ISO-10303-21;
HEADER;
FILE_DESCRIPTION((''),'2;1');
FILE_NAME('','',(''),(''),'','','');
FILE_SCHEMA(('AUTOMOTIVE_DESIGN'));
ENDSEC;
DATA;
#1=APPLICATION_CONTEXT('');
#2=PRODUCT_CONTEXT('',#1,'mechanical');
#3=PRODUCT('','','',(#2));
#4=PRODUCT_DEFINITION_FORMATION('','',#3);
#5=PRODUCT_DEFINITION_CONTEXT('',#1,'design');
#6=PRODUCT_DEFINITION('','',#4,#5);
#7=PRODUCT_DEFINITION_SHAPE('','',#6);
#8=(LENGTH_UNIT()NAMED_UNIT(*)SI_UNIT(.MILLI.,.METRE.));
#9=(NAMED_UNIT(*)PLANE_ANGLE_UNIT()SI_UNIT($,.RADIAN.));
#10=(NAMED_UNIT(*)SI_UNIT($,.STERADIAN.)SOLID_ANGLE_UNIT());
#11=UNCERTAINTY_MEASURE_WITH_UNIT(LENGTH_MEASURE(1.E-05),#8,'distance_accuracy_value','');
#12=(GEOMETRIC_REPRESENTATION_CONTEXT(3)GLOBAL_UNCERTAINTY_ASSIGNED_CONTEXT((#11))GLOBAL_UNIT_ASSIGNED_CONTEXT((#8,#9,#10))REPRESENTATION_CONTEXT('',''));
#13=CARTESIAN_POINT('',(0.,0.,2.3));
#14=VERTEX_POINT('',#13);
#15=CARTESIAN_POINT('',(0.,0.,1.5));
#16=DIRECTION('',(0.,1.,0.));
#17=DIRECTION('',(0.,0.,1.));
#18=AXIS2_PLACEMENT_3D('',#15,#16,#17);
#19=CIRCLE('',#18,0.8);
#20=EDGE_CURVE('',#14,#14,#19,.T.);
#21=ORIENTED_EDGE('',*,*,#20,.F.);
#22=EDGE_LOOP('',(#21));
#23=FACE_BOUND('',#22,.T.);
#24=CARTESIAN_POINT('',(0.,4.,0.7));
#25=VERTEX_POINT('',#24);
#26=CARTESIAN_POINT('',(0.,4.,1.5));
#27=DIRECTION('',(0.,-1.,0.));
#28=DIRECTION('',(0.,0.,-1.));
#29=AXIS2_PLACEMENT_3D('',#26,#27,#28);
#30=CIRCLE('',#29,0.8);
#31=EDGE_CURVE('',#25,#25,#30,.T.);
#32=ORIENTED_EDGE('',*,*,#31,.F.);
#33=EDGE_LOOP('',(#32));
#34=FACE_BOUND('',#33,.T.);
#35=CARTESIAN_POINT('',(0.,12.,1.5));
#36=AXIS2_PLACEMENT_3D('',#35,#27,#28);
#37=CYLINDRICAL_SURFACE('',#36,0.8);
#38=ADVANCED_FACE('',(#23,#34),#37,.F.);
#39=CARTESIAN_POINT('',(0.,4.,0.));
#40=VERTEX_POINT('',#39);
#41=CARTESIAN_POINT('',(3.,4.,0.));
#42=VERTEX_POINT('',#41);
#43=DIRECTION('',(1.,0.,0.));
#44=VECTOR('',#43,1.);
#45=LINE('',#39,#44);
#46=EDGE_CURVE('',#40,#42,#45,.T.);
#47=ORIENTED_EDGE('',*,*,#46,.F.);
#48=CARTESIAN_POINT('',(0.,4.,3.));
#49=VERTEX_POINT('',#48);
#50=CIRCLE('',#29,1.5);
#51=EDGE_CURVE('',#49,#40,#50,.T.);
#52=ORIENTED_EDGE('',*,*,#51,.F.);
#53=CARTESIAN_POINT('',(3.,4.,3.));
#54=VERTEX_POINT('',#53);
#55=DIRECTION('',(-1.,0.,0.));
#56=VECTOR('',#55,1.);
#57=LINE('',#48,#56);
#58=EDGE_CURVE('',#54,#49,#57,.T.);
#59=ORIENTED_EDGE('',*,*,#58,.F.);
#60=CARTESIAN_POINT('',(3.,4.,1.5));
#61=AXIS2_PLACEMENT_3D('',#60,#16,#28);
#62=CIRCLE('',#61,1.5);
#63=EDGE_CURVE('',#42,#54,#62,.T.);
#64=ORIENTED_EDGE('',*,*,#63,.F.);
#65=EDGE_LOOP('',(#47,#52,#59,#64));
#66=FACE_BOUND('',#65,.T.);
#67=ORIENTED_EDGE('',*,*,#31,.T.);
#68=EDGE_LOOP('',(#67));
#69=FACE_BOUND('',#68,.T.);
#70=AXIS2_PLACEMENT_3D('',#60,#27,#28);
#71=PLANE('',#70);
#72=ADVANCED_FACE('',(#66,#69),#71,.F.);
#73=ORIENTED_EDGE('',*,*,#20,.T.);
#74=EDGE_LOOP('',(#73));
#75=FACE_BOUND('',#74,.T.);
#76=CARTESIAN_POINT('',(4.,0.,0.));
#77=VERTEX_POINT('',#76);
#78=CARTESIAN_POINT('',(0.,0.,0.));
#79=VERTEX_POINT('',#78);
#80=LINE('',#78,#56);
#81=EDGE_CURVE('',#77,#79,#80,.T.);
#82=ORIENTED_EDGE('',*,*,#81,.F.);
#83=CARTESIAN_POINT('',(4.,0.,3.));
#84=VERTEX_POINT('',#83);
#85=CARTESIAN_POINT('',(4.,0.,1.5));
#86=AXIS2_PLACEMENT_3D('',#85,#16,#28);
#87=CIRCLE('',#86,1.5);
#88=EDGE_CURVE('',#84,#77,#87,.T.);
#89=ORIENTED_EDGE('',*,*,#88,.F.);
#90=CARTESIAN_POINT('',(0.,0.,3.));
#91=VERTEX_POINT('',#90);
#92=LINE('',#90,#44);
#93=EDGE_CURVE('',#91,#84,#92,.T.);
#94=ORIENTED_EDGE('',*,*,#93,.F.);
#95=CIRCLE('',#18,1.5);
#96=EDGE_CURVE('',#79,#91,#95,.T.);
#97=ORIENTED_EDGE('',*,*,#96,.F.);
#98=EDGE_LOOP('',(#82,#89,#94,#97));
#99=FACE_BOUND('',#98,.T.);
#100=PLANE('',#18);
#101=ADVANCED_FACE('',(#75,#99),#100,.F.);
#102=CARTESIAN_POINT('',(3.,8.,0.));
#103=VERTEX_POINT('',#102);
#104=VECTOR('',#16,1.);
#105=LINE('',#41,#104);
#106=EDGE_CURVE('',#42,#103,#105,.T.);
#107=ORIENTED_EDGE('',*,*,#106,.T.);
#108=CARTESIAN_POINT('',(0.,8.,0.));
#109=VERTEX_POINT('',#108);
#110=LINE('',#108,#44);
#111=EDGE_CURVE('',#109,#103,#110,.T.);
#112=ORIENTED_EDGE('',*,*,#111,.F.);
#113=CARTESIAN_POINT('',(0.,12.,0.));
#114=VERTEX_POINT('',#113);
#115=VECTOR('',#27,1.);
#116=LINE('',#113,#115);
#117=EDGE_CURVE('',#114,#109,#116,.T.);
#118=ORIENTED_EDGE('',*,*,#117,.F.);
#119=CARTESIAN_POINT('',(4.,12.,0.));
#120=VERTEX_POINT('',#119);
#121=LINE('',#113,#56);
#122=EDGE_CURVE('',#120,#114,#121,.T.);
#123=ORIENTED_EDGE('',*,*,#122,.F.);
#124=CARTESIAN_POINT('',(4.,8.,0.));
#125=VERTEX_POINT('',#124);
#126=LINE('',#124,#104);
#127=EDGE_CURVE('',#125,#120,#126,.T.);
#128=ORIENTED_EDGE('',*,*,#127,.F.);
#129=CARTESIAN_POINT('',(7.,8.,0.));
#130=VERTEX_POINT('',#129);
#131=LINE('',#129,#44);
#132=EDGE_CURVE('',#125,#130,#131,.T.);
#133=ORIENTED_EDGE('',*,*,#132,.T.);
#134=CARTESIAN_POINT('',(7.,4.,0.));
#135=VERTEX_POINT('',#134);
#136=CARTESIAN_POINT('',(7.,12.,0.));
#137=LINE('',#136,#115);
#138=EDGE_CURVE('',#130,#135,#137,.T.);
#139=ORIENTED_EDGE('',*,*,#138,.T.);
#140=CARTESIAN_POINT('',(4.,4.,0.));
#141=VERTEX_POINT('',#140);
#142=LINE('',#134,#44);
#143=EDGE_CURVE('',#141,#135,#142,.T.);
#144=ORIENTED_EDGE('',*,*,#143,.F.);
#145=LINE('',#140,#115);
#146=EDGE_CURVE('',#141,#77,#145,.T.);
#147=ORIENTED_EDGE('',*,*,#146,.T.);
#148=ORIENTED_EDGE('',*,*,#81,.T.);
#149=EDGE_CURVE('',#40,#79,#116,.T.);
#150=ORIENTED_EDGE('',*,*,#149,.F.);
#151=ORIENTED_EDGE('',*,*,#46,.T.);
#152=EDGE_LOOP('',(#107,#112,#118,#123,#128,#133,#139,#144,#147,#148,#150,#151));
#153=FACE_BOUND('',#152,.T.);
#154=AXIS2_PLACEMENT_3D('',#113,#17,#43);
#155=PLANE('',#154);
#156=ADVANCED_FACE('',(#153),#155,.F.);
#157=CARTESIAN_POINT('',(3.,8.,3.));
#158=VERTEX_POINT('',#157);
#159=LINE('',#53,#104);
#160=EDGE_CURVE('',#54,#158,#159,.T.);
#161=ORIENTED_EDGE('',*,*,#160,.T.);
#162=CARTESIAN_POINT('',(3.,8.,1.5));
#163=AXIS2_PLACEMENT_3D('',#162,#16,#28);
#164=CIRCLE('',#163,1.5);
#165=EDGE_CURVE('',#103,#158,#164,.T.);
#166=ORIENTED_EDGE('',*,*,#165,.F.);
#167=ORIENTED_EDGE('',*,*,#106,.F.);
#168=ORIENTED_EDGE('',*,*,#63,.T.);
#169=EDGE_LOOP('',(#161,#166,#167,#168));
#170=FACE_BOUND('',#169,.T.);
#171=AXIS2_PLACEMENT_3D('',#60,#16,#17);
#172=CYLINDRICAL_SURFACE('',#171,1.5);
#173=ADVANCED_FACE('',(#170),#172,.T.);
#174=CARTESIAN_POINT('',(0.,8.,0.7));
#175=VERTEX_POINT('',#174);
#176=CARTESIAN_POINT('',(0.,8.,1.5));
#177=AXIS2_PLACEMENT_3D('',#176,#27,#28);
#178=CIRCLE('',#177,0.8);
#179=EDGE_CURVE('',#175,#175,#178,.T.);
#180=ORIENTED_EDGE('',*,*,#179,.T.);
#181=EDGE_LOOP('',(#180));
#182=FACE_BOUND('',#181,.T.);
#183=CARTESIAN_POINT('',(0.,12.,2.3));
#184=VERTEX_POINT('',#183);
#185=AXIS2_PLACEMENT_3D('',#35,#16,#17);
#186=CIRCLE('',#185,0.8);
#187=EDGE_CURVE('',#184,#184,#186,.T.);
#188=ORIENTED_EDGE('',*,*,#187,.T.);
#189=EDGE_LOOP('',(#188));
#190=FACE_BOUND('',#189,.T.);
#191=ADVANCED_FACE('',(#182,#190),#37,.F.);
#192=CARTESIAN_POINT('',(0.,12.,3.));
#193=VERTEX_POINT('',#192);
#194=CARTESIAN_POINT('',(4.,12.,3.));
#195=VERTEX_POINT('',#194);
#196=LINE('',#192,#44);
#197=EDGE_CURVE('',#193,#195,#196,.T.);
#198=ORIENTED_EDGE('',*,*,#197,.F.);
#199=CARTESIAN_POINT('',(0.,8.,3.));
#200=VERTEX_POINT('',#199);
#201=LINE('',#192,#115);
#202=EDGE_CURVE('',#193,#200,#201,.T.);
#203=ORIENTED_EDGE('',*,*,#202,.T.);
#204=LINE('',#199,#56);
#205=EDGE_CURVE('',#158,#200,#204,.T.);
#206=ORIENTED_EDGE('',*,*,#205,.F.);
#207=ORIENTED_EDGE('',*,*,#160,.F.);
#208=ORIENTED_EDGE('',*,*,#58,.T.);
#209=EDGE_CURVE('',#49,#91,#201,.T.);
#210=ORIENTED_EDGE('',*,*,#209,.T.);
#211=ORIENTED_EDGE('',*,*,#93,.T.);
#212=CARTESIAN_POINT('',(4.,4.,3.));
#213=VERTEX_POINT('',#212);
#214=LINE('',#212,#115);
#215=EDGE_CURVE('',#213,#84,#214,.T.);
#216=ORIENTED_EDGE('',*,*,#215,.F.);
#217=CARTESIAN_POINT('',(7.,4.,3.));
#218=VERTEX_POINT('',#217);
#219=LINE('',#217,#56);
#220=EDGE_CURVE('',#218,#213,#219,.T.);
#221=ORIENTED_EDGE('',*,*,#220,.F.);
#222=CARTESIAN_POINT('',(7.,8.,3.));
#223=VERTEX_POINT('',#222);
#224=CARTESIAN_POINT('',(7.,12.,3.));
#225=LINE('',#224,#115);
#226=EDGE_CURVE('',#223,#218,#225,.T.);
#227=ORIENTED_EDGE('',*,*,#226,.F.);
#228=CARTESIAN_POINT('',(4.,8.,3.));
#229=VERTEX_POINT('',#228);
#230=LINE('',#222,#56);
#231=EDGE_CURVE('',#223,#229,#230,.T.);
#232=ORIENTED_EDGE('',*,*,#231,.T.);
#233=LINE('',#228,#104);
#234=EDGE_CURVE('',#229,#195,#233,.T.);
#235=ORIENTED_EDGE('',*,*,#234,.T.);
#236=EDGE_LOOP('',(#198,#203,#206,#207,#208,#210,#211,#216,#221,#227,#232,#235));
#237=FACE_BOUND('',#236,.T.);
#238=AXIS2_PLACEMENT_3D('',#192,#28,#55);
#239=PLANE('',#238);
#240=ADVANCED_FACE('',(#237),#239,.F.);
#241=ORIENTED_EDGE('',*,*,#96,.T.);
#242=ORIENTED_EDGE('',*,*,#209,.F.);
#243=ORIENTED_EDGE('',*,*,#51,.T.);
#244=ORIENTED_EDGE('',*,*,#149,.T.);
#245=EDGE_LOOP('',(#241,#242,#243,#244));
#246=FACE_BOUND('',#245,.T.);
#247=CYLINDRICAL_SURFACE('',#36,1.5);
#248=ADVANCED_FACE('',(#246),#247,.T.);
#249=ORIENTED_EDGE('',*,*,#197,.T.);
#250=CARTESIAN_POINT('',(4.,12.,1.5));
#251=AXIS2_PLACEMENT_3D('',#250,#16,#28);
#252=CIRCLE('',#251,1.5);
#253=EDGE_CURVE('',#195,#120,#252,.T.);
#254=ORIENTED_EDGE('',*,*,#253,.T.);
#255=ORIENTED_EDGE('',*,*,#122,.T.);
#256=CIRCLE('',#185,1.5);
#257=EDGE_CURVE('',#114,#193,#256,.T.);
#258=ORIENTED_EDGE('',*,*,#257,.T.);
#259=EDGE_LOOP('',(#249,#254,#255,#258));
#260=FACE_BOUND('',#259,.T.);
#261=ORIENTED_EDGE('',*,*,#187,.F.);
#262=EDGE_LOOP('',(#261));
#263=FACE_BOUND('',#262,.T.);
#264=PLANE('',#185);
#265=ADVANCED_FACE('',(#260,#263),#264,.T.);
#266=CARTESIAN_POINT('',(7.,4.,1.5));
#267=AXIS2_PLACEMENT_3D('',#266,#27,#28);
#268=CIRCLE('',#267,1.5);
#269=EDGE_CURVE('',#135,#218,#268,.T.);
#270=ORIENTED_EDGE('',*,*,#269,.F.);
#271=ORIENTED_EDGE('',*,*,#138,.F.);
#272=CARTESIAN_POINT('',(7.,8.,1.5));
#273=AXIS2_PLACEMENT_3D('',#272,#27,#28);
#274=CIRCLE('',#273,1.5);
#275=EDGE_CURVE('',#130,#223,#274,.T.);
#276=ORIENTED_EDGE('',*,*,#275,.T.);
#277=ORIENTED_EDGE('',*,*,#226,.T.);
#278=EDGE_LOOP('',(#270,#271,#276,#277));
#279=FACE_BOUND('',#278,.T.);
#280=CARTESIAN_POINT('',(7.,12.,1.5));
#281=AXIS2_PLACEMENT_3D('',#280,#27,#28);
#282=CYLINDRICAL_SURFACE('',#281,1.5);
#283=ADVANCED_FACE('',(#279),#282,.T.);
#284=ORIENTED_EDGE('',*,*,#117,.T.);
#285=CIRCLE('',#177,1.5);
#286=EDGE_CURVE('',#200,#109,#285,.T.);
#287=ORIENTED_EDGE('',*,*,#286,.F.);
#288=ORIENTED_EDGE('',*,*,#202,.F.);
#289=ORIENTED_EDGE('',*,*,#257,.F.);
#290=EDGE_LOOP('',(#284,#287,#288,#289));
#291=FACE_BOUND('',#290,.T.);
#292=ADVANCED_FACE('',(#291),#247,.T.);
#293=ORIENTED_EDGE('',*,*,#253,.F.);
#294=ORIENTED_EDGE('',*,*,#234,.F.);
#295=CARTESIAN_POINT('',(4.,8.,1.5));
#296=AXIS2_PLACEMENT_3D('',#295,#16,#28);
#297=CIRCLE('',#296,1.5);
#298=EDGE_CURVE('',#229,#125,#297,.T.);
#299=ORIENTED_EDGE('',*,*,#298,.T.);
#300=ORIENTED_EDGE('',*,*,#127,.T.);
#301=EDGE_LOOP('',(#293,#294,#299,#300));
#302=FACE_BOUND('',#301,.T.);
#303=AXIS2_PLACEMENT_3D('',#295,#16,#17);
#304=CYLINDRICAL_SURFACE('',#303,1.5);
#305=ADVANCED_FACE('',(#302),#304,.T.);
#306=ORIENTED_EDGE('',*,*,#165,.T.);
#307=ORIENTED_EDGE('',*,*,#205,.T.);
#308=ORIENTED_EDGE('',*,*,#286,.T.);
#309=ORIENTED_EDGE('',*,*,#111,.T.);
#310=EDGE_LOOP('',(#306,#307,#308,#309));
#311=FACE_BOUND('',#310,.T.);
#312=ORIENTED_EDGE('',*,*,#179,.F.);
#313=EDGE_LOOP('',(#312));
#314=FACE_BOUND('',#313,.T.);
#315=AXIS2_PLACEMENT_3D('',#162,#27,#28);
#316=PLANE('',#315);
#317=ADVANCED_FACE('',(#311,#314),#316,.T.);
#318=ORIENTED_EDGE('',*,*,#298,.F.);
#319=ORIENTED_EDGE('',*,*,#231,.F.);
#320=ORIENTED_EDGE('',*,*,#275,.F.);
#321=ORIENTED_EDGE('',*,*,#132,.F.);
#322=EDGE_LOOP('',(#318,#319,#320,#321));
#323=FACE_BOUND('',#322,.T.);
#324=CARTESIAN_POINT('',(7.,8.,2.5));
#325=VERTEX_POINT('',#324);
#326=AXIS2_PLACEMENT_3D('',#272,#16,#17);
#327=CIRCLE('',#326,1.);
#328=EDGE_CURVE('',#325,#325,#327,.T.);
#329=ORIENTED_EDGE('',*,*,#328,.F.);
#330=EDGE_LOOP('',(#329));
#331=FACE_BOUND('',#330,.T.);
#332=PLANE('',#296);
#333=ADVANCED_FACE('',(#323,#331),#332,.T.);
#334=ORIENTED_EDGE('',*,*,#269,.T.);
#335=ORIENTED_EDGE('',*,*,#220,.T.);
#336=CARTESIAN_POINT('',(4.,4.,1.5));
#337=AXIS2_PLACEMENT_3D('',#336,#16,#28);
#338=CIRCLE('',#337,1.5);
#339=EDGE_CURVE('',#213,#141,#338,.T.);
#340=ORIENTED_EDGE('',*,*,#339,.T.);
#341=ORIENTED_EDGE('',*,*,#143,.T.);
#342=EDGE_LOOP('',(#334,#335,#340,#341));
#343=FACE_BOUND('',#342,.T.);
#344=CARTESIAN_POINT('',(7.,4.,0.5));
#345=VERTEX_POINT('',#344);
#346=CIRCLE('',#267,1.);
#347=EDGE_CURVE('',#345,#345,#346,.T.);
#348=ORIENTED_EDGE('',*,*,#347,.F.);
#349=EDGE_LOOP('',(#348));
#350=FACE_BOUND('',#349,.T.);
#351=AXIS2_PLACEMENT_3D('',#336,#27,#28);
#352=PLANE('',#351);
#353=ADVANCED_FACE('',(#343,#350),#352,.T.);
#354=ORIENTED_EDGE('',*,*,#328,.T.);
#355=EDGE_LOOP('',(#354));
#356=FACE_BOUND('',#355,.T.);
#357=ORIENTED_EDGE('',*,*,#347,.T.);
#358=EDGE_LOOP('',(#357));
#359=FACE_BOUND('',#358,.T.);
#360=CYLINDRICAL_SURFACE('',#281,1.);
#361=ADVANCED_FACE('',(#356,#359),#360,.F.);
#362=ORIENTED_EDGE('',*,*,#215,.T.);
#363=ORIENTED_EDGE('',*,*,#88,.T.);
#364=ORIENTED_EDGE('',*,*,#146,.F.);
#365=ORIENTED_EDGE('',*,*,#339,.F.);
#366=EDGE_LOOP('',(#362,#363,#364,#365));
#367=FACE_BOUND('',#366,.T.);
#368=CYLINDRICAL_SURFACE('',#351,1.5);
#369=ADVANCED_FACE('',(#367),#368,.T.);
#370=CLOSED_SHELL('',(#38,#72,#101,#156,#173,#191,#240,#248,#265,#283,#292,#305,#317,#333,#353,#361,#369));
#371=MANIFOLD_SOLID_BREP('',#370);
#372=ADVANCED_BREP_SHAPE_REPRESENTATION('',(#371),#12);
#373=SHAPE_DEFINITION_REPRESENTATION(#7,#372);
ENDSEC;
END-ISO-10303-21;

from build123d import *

# Parameters (mm, degrees)
SKETCH_2_R               = 0.8
SKETCH_2_R_2             = 1
EXTRUDE_1_DEPTH          = 12
CUT_EXTRUDE_1_DEPTH      = 4
CUT_EXTRUDE_2_DEPTH      = 2
CUT_EXTRUDE_2_DEPTH_BACK = 2


with BuildPart() as part:
    # 草图2 → 凸台-拉伸1 (new body)
    with BuildSketch(Plane(origin=(0, 0, 0), x_dir=(1, 0, 0), z_dir=(0, 1, 0))):
        with BuildLine():
            Line((0, 0), (7, 0))
            ThreePointArc((7, 0), (8.5, -1.5), (7, -3))
            Line((7, -3), (0, -3))
            ThreePointArc((0, -3), (-1.5, -1.5), (0, 0))
        make_face()
        with Locations(Location((0, -1.5, 0), (0, 0, 270))):
            Circle(SKETCH_2_R, mode=Mode.SUBTRACT)
        with Locations(Location((7, -1.5, 0), (0, 0, 270))):
            Circle(SKETCH_2_R_2, mode=Mode.SUBTRACT)
    extrude(amount=EXTRUDE_1_DEPTH)

    # 草图4 → 切除-拉伸1 (cut)
    with BuildSketch(Plane.XZ):
        with BuildLine():
            Line((7, 0), (4, 0))
            ThreePointArc((4, 0), (5.5, 1.5), (4, 3))
            Line((4, 3), (7, 3))
            ThreePointArc((7, 3), (8.5, 1.5), (7, 0))
        make_face()
    cut_extrude_1 = extrude(amount=-CUT_EXTRUDE_1_DEPTH, mode=Mode.SUBTRACT)

    # 镜向1: 切除-拉伸1 across plane
    add(cut_extrude_1.mirror(Plane(origin=(0, 6, 0), x_dir=(0, 0, 1), z_dir=(0, -1, 0))), mode=Mode.SUBTRACT)

    # 草图5 → 切除-拉伸2 (cut, two sides: drawn at the far end of the back side and taken through both)
    with BuildSketch(Plane.XZ.offset(-6).offset(-CUT_EXTRUDE_2_DEPTH_BACK)):
        with BuildLine():
            Line((0, 3), (3, 3))
            ThreePointArc((3, 3), (1.5, 1.5), (3, 0))
            Line((3, 0), (0, 0))
            ThreePointArc((0, 0), (-1.5, 1.5), (0, 3))
        make_face()
    extrude(amount=CUT_EXTRUDE_2_DEPTH + CUT_EXTRUDE_2_DEPTH_BACK, mode=Mode.SUBTRACT)


solid = part.part
